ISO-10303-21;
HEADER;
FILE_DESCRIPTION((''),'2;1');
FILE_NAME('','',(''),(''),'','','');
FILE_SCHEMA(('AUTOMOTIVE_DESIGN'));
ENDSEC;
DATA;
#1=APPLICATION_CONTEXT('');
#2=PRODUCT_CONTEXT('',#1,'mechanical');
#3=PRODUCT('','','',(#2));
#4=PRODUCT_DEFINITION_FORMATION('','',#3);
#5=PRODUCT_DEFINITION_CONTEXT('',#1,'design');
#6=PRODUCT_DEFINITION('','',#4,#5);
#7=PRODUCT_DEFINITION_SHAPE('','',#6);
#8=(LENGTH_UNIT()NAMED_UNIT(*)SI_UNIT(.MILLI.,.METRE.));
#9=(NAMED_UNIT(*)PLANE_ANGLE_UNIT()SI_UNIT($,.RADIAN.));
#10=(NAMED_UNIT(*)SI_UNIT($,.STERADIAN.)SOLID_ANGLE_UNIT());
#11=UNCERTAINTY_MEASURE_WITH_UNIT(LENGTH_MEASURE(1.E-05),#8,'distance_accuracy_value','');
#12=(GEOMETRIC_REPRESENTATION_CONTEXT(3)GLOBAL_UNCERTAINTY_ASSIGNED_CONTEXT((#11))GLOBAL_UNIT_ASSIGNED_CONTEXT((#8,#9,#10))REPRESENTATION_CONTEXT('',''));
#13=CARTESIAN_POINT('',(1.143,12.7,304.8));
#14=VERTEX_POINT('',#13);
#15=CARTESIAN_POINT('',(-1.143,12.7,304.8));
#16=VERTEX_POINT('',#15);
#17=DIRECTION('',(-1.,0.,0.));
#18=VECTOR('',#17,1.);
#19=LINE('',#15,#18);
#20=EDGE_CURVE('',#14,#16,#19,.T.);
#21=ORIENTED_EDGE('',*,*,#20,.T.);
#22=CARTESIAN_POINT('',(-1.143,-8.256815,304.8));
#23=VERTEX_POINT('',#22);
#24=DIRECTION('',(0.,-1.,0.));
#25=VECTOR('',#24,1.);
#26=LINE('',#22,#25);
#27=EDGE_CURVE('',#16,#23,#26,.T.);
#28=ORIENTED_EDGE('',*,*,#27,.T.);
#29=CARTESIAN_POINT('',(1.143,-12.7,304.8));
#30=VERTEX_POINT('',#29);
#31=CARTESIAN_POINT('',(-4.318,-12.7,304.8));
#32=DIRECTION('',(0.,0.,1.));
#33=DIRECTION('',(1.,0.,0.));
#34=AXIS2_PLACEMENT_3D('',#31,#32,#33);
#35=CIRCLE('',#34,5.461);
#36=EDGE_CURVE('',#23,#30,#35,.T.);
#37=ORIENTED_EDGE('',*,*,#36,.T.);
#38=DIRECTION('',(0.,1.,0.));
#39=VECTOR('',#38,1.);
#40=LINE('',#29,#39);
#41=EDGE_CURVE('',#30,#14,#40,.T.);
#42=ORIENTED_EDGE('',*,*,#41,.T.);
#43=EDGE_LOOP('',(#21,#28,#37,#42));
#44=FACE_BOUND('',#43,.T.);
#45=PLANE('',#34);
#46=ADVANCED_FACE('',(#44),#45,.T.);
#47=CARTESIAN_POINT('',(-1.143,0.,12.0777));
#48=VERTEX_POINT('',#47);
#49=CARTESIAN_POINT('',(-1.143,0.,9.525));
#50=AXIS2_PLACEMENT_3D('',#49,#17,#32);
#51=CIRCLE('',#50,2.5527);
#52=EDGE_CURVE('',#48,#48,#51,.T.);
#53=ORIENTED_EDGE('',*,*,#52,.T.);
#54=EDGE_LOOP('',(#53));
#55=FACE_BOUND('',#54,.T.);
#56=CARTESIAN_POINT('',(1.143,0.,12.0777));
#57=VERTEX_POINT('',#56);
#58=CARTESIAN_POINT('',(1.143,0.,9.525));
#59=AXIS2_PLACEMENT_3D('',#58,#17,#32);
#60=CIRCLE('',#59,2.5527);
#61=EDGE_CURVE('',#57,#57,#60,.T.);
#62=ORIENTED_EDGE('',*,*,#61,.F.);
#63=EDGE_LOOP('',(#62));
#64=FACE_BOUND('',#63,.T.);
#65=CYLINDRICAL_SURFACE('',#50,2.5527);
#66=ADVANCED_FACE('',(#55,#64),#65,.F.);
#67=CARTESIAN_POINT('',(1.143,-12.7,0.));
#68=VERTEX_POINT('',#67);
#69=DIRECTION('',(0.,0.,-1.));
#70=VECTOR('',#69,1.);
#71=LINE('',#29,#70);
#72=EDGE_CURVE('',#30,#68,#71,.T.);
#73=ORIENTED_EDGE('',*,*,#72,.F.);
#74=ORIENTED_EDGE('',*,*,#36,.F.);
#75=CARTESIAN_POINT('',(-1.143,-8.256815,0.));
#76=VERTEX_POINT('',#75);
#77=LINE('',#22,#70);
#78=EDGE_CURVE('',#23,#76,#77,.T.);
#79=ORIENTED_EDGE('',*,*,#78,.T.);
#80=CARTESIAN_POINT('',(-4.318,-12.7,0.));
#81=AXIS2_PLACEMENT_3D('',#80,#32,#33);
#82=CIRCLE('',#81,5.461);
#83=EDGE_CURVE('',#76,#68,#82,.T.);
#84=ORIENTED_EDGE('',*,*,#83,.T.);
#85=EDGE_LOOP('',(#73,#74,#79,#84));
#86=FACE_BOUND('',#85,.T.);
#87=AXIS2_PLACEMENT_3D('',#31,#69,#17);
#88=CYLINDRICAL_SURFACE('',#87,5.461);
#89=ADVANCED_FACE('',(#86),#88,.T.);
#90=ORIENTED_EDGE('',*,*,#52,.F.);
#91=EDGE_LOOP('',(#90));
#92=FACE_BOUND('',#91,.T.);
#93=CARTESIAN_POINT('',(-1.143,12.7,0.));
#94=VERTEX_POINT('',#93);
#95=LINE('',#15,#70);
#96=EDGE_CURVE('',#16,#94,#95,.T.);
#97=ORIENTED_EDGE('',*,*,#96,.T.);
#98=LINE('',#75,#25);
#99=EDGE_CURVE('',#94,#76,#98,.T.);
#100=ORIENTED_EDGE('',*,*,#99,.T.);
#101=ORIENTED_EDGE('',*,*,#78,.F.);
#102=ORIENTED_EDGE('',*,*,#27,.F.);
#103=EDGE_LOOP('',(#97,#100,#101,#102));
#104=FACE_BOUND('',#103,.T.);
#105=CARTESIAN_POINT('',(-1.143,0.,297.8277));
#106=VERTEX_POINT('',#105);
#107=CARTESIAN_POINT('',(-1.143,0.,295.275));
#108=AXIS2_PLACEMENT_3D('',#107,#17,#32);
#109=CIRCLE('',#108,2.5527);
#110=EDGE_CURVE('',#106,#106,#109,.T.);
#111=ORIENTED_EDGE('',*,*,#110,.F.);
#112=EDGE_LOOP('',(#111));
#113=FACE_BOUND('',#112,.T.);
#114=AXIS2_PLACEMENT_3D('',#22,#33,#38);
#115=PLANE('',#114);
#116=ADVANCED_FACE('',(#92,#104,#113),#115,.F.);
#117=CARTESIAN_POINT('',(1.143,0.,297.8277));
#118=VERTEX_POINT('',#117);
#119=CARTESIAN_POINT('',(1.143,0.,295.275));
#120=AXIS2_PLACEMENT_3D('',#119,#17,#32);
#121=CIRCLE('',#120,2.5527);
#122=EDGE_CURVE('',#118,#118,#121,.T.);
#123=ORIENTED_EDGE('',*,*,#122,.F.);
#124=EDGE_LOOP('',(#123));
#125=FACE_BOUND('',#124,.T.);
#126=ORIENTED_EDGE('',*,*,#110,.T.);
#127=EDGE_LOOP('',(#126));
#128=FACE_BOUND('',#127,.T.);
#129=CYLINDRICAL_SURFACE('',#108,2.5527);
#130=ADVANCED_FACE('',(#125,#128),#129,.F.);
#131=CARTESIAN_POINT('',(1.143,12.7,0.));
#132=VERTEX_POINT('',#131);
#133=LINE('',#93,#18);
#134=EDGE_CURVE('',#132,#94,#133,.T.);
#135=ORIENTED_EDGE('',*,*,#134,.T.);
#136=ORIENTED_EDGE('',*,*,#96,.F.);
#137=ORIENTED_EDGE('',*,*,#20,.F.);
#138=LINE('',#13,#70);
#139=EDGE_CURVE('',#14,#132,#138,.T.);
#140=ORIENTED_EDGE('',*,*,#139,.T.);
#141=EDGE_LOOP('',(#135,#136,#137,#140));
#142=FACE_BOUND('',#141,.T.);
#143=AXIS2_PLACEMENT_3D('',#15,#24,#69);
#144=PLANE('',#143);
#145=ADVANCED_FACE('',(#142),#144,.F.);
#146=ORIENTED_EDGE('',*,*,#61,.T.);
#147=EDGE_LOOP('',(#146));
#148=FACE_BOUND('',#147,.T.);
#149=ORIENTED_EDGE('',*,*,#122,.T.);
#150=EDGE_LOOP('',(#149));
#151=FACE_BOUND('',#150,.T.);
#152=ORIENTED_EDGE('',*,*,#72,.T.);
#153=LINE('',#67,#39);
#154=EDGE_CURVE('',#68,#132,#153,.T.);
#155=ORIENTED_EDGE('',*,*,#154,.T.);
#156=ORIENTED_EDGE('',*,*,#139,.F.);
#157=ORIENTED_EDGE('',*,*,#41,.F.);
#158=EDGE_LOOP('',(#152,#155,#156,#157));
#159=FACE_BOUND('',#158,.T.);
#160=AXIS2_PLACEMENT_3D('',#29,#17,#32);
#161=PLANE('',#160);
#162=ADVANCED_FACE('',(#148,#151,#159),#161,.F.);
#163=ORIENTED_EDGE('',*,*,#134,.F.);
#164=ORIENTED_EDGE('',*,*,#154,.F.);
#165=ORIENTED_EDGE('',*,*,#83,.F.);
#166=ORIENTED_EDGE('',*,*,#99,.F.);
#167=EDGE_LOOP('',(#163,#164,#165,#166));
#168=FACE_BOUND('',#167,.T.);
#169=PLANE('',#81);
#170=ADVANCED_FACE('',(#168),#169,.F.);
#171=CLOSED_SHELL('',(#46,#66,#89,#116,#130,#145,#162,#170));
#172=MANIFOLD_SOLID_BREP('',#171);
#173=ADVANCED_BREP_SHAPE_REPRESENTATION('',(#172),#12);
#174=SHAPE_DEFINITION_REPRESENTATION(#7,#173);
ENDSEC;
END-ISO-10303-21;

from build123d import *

# Parameters (mm, degrees)
BOSS_EXTRUDE1_DEPTH    = 304.8
F_10_CLEARANCE_HOLE1_D = 5.1054


with BuildPart() as part:
    # Sketch1 → Boss-Extrude1 (new body)
    with BuildSketch(Plane.XY):
        with BuildLine():
            Line((-1.143, -8.256814656), (-1.143, 12.7))
            Line((-1.143, 12.7), (1.143, 12.7))
            Line((1.143, 12.7), (1.143, -12.7))
            ThreePointArc((1.143, -12.7), (-9.173985791, -15.198384078), (-1.143, -8.256814656))
        make_face()
    extrude(amount=BOSS_EXTRUDE1_DEPTH)

    # #10 Clearance Hole1 (through all)
    with Locations(Plane.ZY.offset(1.143)):
        with Locations((9.525, 0), (295.275, 0)):
            Hole(F_10_CLEARANCE_HOLE1_D / 2)


solid = part.part
